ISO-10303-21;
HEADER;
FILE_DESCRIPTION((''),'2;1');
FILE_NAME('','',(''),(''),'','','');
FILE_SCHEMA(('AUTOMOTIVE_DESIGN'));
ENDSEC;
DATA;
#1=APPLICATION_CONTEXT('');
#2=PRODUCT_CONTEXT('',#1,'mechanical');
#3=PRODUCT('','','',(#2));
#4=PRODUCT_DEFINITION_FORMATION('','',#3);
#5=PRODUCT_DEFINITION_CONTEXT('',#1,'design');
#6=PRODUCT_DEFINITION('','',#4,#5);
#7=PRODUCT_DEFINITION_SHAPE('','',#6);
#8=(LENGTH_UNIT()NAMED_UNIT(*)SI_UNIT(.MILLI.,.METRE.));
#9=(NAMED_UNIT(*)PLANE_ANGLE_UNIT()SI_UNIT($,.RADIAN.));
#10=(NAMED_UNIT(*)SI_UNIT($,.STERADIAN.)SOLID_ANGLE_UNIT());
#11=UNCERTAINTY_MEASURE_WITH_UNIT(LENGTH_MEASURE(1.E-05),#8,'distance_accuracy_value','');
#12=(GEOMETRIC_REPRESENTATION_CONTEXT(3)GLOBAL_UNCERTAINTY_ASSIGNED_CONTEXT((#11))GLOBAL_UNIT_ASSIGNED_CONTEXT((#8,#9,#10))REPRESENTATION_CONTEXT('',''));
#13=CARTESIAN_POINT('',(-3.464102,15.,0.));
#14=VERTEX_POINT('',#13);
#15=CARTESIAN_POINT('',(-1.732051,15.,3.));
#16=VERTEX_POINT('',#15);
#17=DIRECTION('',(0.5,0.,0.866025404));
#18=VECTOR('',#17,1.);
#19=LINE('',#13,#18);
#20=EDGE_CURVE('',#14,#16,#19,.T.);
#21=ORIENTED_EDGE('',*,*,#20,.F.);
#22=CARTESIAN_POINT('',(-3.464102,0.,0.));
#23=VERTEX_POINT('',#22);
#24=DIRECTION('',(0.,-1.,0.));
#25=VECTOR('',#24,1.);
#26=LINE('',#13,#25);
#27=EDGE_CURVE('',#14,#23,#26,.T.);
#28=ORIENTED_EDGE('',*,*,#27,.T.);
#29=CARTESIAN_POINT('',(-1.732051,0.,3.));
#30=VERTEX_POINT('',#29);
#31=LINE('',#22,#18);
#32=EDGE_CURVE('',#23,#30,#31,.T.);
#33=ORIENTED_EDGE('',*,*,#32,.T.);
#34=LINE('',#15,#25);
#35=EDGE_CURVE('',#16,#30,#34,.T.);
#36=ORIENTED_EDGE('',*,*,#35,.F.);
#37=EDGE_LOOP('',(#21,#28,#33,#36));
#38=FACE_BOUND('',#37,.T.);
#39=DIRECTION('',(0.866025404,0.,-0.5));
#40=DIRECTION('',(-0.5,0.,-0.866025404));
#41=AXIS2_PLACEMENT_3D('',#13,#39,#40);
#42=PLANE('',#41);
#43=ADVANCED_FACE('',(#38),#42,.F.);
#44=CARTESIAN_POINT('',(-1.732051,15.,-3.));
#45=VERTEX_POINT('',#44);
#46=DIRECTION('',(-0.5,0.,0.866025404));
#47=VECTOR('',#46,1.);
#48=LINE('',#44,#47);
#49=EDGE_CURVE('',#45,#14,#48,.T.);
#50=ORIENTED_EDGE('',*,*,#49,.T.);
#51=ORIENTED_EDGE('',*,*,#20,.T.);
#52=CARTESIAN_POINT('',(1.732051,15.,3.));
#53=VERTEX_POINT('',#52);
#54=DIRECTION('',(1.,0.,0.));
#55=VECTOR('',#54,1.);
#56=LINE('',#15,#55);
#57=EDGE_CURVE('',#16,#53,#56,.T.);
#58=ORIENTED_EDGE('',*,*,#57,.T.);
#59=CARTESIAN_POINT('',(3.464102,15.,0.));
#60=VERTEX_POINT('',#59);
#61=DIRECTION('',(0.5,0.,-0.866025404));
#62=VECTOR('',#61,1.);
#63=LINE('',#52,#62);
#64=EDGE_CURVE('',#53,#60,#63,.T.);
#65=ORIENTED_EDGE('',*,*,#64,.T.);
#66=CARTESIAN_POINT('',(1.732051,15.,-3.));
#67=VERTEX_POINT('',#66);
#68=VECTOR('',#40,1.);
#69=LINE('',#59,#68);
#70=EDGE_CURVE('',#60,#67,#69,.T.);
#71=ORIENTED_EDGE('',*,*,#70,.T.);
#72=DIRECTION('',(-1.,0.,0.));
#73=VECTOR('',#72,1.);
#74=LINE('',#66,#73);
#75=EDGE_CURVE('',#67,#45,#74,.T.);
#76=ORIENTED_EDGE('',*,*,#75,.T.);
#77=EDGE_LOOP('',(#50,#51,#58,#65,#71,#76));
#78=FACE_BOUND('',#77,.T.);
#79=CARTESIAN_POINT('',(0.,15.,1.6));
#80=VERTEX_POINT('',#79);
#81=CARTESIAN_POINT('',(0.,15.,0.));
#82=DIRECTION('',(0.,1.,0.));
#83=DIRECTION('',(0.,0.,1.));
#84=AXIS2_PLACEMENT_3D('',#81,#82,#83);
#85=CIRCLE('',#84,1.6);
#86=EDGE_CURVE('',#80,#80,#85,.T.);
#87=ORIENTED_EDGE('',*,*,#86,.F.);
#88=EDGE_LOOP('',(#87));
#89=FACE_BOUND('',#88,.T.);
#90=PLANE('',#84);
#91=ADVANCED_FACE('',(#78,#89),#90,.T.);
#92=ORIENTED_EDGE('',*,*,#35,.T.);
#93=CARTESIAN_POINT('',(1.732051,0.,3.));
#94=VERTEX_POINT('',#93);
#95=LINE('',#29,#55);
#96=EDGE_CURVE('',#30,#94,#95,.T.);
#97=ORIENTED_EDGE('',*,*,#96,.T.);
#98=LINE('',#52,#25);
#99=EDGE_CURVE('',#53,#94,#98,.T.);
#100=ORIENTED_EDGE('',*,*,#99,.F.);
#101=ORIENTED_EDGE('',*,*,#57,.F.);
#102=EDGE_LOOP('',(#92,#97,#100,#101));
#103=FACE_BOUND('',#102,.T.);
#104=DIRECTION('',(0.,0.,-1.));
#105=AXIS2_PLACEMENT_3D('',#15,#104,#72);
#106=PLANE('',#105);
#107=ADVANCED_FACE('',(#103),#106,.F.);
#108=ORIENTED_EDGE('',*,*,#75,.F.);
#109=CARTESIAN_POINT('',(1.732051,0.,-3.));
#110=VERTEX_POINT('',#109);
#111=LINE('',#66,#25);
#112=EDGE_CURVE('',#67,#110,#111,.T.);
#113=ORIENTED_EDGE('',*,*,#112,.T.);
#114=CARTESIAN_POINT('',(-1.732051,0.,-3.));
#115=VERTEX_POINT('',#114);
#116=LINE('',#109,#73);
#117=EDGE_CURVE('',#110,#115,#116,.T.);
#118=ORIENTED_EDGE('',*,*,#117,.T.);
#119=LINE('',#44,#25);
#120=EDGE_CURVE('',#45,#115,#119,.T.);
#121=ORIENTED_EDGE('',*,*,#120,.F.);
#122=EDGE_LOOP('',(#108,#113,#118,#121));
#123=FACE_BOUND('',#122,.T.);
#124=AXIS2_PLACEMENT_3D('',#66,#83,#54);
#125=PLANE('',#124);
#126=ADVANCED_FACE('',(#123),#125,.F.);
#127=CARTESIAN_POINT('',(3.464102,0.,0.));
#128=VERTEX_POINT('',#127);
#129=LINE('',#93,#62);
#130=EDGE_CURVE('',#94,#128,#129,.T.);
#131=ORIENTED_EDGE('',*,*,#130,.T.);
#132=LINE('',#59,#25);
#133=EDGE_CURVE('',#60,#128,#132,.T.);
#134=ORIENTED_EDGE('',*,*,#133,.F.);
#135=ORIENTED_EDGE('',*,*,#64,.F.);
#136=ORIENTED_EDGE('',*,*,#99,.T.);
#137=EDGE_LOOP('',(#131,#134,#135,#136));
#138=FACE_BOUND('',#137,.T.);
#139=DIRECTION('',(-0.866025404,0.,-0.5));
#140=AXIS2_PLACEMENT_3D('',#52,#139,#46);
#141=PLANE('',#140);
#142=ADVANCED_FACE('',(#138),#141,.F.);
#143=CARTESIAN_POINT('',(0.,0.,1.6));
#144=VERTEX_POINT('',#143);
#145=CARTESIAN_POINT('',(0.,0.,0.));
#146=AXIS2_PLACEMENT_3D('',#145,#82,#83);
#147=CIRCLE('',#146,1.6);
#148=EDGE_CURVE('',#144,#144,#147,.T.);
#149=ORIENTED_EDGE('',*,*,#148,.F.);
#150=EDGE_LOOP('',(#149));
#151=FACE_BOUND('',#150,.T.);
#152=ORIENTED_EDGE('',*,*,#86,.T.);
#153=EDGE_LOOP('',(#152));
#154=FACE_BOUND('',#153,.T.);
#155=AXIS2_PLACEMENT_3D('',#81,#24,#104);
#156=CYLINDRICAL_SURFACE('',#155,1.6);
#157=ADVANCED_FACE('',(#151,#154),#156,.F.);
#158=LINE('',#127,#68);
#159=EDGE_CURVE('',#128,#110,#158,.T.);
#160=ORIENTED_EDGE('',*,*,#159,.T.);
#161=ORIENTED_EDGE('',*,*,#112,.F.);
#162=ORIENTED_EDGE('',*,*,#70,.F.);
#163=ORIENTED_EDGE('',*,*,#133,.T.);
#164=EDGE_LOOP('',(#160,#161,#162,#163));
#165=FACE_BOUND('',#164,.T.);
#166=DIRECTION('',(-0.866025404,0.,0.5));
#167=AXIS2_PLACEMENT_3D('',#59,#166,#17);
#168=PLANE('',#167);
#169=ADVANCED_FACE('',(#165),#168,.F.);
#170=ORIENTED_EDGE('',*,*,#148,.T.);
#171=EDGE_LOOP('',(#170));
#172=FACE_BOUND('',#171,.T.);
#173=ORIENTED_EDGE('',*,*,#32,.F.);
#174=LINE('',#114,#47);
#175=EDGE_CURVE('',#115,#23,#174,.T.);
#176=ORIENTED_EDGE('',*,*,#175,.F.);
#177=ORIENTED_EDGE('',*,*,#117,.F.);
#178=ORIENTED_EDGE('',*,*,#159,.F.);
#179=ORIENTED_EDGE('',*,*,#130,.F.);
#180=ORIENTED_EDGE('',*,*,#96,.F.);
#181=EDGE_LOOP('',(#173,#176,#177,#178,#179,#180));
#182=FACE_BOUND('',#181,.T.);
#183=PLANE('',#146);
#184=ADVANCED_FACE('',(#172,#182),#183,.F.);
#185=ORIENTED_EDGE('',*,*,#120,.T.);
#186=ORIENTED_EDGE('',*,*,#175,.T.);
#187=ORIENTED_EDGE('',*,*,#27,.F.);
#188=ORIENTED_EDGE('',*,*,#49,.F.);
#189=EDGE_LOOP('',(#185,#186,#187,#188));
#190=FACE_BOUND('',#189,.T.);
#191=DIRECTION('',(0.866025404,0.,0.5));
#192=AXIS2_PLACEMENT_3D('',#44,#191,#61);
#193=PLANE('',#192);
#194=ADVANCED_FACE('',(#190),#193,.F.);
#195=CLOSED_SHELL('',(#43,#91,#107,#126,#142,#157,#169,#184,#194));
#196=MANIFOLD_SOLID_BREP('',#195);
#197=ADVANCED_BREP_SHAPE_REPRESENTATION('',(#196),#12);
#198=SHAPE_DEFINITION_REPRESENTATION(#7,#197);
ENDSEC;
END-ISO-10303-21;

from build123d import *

# Parameters (mm, degrees)
SKETCH_1_R      = 1.6
EXTRUDE_1_DEPTH = 15


with BuildPart() as part:
    # 草图1 → 凸台-拉伸1 (new body)
    with BuildSketch(Plane(origin=(0, 0, 0), x_dir=(1, 0, 0), z_dir=(0, 1, 0))):
        Polygon((3.464101615, 0), (1.732050808, 3), (-1.732050808, 3), (-3.464101615, 0), (-1.732050808, -3), (1.732050808, -3), align=None)
        with Locations(Location((0, 0, 0), (0, 0, 270))):
            Circle(SKETCH_1_R, mode=Mode.SUBTRACT)
    extrude(amount=EXTRUDE_1_DEPTH)


solid = part.part
